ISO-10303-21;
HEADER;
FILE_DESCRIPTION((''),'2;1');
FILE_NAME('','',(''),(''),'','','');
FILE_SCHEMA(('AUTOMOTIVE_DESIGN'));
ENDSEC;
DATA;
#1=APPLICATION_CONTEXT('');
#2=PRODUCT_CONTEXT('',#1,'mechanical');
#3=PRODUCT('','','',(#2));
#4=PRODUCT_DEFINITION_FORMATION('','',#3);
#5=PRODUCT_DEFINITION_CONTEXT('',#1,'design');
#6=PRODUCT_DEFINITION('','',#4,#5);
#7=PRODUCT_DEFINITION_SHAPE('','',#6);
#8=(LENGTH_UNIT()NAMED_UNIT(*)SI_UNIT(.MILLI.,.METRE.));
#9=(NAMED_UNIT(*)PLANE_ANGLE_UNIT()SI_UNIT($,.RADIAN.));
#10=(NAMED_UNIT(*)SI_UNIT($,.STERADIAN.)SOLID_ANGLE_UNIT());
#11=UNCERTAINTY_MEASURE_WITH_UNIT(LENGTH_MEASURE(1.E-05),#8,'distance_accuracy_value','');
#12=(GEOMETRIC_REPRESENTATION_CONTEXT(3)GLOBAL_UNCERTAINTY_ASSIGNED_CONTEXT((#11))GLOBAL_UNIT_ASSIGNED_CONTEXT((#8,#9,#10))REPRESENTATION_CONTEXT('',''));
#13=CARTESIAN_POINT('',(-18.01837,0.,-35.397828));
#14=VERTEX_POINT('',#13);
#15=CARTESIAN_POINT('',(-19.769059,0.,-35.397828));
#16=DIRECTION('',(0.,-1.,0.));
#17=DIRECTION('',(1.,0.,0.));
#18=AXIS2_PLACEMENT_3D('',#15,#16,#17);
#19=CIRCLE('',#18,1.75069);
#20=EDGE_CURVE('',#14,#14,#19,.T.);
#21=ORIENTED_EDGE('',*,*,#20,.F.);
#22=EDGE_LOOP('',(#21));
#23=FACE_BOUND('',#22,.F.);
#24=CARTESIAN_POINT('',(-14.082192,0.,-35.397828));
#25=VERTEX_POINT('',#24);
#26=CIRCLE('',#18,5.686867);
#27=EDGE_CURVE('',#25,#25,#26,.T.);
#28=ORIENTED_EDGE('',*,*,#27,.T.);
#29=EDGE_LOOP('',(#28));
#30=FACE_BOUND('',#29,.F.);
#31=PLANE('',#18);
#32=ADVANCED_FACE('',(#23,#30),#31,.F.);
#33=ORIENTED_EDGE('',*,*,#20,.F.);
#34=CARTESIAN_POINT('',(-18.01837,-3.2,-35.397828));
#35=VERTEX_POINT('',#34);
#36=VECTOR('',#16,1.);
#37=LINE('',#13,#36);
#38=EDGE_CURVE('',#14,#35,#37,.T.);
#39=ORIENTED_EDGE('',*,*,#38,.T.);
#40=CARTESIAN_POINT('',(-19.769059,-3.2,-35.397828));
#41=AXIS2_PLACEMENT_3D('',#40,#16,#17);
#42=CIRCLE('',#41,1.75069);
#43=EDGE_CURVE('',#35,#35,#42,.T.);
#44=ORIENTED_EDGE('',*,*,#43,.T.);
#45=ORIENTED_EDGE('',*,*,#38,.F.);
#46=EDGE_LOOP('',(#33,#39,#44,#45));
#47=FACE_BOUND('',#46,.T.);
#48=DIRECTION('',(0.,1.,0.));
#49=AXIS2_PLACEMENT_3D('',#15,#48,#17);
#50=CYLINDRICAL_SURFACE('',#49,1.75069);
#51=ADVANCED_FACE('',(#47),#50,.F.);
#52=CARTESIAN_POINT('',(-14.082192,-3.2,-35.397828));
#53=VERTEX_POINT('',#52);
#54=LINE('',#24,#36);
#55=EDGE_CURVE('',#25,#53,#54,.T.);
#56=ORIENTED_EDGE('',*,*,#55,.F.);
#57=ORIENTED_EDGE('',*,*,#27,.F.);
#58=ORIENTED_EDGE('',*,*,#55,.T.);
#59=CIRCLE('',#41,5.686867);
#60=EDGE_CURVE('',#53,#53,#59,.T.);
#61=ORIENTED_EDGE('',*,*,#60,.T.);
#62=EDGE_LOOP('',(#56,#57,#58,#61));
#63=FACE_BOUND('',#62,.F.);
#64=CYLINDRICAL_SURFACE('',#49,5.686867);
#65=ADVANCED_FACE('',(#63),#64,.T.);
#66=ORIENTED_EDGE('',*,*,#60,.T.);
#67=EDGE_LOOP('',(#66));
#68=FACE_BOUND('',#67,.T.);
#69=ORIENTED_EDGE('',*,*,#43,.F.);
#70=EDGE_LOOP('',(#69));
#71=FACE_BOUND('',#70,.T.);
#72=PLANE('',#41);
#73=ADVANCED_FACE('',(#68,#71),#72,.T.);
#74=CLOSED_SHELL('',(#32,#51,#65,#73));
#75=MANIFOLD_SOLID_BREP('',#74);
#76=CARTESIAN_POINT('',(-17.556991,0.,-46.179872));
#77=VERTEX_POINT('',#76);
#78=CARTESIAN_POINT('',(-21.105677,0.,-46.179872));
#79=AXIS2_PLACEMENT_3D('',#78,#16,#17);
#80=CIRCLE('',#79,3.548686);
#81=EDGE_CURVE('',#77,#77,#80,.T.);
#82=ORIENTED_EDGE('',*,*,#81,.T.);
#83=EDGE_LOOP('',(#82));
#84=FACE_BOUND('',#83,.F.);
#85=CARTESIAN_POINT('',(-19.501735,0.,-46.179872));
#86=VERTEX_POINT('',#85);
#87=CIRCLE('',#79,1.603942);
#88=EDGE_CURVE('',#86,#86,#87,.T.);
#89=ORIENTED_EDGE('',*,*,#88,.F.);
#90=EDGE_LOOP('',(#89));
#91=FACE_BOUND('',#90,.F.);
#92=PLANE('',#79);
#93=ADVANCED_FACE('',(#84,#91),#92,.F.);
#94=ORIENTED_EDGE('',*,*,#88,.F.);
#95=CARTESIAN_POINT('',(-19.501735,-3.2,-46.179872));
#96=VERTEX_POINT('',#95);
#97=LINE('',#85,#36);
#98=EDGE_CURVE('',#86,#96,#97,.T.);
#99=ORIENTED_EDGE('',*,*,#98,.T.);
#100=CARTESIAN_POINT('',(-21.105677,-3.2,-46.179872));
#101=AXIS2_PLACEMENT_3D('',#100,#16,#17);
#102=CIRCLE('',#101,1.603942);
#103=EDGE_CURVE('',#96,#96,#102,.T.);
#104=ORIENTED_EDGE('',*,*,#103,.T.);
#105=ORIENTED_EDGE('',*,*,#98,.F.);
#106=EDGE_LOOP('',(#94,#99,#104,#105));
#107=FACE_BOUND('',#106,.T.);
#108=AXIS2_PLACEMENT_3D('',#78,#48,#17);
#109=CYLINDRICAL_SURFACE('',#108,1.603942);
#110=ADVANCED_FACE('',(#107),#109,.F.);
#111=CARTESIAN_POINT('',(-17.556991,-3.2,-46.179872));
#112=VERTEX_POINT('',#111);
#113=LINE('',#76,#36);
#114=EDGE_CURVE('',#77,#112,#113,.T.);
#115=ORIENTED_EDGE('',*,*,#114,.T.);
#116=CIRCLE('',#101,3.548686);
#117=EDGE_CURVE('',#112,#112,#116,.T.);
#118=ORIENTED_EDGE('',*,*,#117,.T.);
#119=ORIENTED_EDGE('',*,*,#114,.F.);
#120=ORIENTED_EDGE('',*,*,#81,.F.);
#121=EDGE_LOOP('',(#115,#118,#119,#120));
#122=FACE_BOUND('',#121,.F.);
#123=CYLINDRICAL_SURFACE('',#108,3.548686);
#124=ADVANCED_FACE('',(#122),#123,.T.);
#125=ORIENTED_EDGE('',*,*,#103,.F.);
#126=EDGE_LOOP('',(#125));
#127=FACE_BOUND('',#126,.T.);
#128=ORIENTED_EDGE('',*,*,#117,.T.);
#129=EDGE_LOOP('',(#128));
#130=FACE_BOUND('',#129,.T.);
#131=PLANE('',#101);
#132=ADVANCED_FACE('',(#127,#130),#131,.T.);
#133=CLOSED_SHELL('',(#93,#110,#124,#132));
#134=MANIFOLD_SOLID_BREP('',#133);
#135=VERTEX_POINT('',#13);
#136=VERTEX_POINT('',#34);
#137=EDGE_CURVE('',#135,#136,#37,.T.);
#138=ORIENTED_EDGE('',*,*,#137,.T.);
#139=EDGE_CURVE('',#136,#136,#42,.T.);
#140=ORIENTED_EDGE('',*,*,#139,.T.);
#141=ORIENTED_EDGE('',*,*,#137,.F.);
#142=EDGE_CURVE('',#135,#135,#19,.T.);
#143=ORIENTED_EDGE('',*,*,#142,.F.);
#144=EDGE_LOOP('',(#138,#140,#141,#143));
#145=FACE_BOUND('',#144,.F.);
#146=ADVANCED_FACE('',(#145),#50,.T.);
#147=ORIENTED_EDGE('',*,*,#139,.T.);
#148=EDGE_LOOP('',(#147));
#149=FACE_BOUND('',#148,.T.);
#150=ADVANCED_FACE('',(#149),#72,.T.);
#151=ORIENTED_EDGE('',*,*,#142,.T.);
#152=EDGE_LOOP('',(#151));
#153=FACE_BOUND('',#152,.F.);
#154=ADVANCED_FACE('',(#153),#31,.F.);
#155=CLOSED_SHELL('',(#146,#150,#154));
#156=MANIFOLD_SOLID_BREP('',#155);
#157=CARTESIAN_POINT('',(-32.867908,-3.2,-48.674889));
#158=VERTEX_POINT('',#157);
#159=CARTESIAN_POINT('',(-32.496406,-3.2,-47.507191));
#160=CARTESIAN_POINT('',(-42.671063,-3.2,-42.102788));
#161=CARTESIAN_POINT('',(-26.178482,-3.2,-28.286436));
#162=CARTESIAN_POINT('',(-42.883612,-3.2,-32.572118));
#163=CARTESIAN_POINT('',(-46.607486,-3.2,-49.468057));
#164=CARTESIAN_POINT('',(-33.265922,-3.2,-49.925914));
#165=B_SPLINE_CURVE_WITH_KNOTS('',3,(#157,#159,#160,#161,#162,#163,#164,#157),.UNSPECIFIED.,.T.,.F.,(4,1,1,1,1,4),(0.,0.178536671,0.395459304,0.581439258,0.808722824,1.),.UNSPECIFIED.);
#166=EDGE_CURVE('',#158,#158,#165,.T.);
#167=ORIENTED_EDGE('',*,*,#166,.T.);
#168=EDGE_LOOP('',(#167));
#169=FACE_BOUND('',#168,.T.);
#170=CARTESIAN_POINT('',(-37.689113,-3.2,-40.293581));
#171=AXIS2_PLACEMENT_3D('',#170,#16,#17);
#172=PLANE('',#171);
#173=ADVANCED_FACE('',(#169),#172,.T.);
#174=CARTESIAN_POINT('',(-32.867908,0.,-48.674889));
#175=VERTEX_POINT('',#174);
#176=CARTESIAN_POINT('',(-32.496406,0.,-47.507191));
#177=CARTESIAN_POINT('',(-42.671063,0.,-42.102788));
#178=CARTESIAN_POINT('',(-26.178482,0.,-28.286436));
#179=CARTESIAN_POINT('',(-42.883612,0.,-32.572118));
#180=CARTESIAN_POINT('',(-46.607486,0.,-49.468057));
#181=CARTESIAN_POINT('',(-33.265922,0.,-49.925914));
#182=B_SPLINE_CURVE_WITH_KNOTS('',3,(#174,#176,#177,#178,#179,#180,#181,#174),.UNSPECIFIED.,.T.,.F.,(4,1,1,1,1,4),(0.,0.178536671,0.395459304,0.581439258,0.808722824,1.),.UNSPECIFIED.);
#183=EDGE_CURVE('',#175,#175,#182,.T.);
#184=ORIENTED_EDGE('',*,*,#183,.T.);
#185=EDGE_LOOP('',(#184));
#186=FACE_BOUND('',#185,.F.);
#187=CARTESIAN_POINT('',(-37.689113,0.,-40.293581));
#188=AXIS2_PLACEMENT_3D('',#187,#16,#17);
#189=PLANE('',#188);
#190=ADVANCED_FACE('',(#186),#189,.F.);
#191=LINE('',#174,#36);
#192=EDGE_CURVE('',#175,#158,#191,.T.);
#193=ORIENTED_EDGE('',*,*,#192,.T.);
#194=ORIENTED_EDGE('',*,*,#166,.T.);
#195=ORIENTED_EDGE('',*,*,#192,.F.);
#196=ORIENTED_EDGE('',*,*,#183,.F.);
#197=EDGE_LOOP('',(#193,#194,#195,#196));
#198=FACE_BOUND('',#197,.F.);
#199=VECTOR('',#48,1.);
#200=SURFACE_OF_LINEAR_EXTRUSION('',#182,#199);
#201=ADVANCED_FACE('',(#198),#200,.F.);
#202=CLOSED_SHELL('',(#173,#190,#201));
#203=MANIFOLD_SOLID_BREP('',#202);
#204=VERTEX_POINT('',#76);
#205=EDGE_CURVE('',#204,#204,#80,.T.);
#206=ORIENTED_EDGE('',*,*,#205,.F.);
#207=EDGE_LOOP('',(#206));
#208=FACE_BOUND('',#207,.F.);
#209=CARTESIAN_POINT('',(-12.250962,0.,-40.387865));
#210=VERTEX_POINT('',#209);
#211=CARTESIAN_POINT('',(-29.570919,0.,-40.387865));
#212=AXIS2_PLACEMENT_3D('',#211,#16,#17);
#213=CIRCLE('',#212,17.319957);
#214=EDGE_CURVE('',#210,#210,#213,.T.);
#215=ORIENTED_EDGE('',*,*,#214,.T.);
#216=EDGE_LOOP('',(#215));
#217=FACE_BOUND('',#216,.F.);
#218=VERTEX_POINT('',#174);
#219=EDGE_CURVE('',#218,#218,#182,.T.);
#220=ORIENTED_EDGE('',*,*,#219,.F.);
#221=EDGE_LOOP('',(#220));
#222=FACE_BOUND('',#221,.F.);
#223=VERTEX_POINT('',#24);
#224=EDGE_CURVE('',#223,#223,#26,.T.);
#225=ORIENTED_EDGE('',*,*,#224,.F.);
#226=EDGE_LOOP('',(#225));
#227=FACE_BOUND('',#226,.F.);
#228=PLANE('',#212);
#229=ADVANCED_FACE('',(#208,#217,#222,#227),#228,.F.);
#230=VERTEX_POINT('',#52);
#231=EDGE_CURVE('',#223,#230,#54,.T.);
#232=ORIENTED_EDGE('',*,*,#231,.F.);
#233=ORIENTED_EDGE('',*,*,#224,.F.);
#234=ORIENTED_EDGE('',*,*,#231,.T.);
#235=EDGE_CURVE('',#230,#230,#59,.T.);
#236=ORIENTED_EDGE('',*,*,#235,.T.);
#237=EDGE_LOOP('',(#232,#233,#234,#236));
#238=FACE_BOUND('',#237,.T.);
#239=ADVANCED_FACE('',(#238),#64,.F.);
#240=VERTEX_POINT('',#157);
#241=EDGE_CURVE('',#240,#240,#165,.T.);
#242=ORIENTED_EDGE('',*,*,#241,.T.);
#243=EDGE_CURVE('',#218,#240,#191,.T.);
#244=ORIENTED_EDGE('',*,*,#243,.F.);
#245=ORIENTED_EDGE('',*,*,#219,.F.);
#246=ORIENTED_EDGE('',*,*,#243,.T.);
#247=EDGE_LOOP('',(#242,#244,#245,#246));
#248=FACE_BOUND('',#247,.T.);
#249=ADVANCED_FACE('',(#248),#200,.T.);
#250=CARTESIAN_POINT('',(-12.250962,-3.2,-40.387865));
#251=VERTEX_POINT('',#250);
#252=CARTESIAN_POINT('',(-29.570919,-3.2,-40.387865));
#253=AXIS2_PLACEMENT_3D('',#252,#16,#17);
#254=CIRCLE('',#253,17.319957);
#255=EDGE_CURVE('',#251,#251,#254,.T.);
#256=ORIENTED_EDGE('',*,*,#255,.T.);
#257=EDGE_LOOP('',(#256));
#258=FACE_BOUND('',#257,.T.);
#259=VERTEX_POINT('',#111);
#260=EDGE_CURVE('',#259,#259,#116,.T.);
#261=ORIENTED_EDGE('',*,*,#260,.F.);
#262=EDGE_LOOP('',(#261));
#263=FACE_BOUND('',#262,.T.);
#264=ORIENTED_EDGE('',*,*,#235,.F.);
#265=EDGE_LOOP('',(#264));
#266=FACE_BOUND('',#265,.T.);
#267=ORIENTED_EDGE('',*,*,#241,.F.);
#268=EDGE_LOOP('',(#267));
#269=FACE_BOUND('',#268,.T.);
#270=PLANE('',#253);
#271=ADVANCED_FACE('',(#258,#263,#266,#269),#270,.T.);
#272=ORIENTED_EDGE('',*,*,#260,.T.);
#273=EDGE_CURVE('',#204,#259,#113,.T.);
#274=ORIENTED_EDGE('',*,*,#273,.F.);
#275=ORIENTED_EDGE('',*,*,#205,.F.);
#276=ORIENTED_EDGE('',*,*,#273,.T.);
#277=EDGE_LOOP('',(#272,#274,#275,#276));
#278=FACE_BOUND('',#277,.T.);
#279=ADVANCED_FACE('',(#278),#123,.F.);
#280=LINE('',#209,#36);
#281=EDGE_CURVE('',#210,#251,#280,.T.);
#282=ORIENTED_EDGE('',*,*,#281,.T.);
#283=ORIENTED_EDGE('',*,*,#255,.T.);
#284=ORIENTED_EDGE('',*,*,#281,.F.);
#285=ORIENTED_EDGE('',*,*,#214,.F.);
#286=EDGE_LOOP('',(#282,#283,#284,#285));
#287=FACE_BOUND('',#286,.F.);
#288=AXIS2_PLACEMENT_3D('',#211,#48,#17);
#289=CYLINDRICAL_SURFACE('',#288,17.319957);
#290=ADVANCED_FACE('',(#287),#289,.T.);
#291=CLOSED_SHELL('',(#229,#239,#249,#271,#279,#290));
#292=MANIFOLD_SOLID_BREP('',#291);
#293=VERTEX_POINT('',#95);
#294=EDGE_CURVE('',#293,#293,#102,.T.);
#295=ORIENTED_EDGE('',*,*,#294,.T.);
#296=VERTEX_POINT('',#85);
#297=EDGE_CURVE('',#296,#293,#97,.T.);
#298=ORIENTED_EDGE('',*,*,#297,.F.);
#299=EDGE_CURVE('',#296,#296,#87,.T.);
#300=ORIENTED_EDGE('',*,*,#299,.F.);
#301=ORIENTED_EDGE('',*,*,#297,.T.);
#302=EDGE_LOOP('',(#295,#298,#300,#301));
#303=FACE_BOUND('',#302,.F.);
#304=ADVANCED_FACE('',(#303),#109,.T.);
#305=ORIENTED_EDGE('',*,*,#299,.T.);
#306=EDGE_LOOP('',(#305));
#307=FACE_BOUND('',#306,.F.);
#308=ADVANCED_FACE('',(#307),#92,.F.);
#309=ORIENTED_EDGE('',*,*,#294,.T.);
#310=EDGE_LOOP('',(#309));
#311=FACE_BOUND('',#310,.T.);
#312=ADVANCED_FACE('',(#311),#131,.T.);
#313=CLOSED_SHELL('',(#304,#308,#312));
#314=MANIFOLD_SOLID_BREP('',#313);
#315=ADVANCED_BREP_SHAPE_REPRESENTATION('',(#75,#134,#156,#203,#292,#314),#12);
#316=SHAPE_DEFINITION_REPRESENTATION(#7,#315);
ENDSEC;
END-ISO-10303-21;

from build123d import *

# Parameters (mm, degrees)
F0_R     = 17.3199569185
F0_R_2   = 3.5486855121
F0_R_3   = 5.686867303
F1_DEPTH = 3.2
F0_R_4   = 1.6039423645
F2_DEPTH = 3.2
F0_R_5   = 1.7506899316
F3_DEPTH = 3.2


with BuildPart() as f1:
    # F0 (on Front) → F1 (new body)
    with BuildSketch(Plane.XZ):
        with Locations((-29.5709185302, -40.3878651559)):
            Circle(F0_R)
        with Locations((-21.1056768894, -46.1798720062)):
            Circle(F0_R_2, mode=Mode.SUBTRACT)
        with BuildLine():
            add(Edge.make_bspline(
                [(-32.8679084778, -48.6748889089), (-32.4964057005, -47.5071913989), (-42.6710625419, -42.1027881923), (-26.1784821552, -28.2864358363), (-42.883612091, -32.5721176947), (-46.6074856878, -49.4680572919), (-33.2659219615, -49.9259141562), (-32.8679084778, -48.6748889089)],
                knots=[0, 0, 0, 0, 0.1785366706, 0.3954593042, 0.5814392582, 0.8087228236, 1, 1, 1, 1], degree=3))
        make_face(mode=Mode.SUBTRACT)
        with Locations((-19.7690594941, -35.3978276253)):
            Circle(F0_R_3, mode=Mode.SUBTRACT)
    extrude(amount=F1_DEPTH)


with BuildPart() as f2:
    # F0 (on Front) → F2 (new body)
    with BuildSketch(Plane.XZ):
        with Locations((-21.1056768894, -46.1798720062)):
            Circle(F0_R_2)
        with Locations((-21.1056768894, -46.1798720062)):
            Circle(F0_R_4, mode=Mode.SUBTRACT)
    extrude(amount=F2_DEPTH)


with BuildPart() as f2b:
    # F0 (on Front) → F2, piece 2 (new body)
    with BuildSketch(Plane.XZ):
        with Locations((-19.7690594941, -35.3978276253)):
            Circle(F0_R_3)
        with Locations((-19.7690594941, -35.3978276253)):
            Circle(F0_R_5, mode=Mode.SUBTRACT)
    extrude(amount=F2_DEPTH)


with BuildPart() as f3:
    # F0 (on Front) → F3 (new body)
    with BuildSketch(Plane.XZ):
        with Locations((-21.1056768894, -46.1798720062)):
            Circle(F0_R_4)
    extrude(amount=F3_DEPTH)


with BuildPart() as f3b:
    # F0 (on Front) → F3, piece 2 (new body)
    with BuildSketch(Plane.XZ):
        with Locations((-19.7690594941, -35.3978276253)):
            Circle(F0_R_5)
    extrude(amount=F3_DEPTH)


with BuildPart() as f3c:
    # F0 (on Front) → F3, piece 3 (new body)
    with BuildSketch(Plane.XZ):
        with BuildLine():
            add(Edge.make_bspline(
                [(-32.8679084778, -48.6748889089), (-32.4964057005, -47.5071913989), (-42.6710625419, -42.1027881923), (-26.1784821552, -28.2864358363), (-42.883612091, -32.5721176947), (-46.6074856878, -49.4680572919), (-33.2659219615, -49.9259141562), (-32.8679084778, -48.6748889089)],
                knots=[0, 0, 0, 0, 0.1785366706, 0.3954593042, 0.5814392582, 0.8087228236, 1, 1, 1, 1], degree=3))
        make_face()
    extrude(amount=F3_DEPTH)


solid = Compound([f1.part, f2.part, f2b.part, f3.part, f3b.part, f3c.part])
